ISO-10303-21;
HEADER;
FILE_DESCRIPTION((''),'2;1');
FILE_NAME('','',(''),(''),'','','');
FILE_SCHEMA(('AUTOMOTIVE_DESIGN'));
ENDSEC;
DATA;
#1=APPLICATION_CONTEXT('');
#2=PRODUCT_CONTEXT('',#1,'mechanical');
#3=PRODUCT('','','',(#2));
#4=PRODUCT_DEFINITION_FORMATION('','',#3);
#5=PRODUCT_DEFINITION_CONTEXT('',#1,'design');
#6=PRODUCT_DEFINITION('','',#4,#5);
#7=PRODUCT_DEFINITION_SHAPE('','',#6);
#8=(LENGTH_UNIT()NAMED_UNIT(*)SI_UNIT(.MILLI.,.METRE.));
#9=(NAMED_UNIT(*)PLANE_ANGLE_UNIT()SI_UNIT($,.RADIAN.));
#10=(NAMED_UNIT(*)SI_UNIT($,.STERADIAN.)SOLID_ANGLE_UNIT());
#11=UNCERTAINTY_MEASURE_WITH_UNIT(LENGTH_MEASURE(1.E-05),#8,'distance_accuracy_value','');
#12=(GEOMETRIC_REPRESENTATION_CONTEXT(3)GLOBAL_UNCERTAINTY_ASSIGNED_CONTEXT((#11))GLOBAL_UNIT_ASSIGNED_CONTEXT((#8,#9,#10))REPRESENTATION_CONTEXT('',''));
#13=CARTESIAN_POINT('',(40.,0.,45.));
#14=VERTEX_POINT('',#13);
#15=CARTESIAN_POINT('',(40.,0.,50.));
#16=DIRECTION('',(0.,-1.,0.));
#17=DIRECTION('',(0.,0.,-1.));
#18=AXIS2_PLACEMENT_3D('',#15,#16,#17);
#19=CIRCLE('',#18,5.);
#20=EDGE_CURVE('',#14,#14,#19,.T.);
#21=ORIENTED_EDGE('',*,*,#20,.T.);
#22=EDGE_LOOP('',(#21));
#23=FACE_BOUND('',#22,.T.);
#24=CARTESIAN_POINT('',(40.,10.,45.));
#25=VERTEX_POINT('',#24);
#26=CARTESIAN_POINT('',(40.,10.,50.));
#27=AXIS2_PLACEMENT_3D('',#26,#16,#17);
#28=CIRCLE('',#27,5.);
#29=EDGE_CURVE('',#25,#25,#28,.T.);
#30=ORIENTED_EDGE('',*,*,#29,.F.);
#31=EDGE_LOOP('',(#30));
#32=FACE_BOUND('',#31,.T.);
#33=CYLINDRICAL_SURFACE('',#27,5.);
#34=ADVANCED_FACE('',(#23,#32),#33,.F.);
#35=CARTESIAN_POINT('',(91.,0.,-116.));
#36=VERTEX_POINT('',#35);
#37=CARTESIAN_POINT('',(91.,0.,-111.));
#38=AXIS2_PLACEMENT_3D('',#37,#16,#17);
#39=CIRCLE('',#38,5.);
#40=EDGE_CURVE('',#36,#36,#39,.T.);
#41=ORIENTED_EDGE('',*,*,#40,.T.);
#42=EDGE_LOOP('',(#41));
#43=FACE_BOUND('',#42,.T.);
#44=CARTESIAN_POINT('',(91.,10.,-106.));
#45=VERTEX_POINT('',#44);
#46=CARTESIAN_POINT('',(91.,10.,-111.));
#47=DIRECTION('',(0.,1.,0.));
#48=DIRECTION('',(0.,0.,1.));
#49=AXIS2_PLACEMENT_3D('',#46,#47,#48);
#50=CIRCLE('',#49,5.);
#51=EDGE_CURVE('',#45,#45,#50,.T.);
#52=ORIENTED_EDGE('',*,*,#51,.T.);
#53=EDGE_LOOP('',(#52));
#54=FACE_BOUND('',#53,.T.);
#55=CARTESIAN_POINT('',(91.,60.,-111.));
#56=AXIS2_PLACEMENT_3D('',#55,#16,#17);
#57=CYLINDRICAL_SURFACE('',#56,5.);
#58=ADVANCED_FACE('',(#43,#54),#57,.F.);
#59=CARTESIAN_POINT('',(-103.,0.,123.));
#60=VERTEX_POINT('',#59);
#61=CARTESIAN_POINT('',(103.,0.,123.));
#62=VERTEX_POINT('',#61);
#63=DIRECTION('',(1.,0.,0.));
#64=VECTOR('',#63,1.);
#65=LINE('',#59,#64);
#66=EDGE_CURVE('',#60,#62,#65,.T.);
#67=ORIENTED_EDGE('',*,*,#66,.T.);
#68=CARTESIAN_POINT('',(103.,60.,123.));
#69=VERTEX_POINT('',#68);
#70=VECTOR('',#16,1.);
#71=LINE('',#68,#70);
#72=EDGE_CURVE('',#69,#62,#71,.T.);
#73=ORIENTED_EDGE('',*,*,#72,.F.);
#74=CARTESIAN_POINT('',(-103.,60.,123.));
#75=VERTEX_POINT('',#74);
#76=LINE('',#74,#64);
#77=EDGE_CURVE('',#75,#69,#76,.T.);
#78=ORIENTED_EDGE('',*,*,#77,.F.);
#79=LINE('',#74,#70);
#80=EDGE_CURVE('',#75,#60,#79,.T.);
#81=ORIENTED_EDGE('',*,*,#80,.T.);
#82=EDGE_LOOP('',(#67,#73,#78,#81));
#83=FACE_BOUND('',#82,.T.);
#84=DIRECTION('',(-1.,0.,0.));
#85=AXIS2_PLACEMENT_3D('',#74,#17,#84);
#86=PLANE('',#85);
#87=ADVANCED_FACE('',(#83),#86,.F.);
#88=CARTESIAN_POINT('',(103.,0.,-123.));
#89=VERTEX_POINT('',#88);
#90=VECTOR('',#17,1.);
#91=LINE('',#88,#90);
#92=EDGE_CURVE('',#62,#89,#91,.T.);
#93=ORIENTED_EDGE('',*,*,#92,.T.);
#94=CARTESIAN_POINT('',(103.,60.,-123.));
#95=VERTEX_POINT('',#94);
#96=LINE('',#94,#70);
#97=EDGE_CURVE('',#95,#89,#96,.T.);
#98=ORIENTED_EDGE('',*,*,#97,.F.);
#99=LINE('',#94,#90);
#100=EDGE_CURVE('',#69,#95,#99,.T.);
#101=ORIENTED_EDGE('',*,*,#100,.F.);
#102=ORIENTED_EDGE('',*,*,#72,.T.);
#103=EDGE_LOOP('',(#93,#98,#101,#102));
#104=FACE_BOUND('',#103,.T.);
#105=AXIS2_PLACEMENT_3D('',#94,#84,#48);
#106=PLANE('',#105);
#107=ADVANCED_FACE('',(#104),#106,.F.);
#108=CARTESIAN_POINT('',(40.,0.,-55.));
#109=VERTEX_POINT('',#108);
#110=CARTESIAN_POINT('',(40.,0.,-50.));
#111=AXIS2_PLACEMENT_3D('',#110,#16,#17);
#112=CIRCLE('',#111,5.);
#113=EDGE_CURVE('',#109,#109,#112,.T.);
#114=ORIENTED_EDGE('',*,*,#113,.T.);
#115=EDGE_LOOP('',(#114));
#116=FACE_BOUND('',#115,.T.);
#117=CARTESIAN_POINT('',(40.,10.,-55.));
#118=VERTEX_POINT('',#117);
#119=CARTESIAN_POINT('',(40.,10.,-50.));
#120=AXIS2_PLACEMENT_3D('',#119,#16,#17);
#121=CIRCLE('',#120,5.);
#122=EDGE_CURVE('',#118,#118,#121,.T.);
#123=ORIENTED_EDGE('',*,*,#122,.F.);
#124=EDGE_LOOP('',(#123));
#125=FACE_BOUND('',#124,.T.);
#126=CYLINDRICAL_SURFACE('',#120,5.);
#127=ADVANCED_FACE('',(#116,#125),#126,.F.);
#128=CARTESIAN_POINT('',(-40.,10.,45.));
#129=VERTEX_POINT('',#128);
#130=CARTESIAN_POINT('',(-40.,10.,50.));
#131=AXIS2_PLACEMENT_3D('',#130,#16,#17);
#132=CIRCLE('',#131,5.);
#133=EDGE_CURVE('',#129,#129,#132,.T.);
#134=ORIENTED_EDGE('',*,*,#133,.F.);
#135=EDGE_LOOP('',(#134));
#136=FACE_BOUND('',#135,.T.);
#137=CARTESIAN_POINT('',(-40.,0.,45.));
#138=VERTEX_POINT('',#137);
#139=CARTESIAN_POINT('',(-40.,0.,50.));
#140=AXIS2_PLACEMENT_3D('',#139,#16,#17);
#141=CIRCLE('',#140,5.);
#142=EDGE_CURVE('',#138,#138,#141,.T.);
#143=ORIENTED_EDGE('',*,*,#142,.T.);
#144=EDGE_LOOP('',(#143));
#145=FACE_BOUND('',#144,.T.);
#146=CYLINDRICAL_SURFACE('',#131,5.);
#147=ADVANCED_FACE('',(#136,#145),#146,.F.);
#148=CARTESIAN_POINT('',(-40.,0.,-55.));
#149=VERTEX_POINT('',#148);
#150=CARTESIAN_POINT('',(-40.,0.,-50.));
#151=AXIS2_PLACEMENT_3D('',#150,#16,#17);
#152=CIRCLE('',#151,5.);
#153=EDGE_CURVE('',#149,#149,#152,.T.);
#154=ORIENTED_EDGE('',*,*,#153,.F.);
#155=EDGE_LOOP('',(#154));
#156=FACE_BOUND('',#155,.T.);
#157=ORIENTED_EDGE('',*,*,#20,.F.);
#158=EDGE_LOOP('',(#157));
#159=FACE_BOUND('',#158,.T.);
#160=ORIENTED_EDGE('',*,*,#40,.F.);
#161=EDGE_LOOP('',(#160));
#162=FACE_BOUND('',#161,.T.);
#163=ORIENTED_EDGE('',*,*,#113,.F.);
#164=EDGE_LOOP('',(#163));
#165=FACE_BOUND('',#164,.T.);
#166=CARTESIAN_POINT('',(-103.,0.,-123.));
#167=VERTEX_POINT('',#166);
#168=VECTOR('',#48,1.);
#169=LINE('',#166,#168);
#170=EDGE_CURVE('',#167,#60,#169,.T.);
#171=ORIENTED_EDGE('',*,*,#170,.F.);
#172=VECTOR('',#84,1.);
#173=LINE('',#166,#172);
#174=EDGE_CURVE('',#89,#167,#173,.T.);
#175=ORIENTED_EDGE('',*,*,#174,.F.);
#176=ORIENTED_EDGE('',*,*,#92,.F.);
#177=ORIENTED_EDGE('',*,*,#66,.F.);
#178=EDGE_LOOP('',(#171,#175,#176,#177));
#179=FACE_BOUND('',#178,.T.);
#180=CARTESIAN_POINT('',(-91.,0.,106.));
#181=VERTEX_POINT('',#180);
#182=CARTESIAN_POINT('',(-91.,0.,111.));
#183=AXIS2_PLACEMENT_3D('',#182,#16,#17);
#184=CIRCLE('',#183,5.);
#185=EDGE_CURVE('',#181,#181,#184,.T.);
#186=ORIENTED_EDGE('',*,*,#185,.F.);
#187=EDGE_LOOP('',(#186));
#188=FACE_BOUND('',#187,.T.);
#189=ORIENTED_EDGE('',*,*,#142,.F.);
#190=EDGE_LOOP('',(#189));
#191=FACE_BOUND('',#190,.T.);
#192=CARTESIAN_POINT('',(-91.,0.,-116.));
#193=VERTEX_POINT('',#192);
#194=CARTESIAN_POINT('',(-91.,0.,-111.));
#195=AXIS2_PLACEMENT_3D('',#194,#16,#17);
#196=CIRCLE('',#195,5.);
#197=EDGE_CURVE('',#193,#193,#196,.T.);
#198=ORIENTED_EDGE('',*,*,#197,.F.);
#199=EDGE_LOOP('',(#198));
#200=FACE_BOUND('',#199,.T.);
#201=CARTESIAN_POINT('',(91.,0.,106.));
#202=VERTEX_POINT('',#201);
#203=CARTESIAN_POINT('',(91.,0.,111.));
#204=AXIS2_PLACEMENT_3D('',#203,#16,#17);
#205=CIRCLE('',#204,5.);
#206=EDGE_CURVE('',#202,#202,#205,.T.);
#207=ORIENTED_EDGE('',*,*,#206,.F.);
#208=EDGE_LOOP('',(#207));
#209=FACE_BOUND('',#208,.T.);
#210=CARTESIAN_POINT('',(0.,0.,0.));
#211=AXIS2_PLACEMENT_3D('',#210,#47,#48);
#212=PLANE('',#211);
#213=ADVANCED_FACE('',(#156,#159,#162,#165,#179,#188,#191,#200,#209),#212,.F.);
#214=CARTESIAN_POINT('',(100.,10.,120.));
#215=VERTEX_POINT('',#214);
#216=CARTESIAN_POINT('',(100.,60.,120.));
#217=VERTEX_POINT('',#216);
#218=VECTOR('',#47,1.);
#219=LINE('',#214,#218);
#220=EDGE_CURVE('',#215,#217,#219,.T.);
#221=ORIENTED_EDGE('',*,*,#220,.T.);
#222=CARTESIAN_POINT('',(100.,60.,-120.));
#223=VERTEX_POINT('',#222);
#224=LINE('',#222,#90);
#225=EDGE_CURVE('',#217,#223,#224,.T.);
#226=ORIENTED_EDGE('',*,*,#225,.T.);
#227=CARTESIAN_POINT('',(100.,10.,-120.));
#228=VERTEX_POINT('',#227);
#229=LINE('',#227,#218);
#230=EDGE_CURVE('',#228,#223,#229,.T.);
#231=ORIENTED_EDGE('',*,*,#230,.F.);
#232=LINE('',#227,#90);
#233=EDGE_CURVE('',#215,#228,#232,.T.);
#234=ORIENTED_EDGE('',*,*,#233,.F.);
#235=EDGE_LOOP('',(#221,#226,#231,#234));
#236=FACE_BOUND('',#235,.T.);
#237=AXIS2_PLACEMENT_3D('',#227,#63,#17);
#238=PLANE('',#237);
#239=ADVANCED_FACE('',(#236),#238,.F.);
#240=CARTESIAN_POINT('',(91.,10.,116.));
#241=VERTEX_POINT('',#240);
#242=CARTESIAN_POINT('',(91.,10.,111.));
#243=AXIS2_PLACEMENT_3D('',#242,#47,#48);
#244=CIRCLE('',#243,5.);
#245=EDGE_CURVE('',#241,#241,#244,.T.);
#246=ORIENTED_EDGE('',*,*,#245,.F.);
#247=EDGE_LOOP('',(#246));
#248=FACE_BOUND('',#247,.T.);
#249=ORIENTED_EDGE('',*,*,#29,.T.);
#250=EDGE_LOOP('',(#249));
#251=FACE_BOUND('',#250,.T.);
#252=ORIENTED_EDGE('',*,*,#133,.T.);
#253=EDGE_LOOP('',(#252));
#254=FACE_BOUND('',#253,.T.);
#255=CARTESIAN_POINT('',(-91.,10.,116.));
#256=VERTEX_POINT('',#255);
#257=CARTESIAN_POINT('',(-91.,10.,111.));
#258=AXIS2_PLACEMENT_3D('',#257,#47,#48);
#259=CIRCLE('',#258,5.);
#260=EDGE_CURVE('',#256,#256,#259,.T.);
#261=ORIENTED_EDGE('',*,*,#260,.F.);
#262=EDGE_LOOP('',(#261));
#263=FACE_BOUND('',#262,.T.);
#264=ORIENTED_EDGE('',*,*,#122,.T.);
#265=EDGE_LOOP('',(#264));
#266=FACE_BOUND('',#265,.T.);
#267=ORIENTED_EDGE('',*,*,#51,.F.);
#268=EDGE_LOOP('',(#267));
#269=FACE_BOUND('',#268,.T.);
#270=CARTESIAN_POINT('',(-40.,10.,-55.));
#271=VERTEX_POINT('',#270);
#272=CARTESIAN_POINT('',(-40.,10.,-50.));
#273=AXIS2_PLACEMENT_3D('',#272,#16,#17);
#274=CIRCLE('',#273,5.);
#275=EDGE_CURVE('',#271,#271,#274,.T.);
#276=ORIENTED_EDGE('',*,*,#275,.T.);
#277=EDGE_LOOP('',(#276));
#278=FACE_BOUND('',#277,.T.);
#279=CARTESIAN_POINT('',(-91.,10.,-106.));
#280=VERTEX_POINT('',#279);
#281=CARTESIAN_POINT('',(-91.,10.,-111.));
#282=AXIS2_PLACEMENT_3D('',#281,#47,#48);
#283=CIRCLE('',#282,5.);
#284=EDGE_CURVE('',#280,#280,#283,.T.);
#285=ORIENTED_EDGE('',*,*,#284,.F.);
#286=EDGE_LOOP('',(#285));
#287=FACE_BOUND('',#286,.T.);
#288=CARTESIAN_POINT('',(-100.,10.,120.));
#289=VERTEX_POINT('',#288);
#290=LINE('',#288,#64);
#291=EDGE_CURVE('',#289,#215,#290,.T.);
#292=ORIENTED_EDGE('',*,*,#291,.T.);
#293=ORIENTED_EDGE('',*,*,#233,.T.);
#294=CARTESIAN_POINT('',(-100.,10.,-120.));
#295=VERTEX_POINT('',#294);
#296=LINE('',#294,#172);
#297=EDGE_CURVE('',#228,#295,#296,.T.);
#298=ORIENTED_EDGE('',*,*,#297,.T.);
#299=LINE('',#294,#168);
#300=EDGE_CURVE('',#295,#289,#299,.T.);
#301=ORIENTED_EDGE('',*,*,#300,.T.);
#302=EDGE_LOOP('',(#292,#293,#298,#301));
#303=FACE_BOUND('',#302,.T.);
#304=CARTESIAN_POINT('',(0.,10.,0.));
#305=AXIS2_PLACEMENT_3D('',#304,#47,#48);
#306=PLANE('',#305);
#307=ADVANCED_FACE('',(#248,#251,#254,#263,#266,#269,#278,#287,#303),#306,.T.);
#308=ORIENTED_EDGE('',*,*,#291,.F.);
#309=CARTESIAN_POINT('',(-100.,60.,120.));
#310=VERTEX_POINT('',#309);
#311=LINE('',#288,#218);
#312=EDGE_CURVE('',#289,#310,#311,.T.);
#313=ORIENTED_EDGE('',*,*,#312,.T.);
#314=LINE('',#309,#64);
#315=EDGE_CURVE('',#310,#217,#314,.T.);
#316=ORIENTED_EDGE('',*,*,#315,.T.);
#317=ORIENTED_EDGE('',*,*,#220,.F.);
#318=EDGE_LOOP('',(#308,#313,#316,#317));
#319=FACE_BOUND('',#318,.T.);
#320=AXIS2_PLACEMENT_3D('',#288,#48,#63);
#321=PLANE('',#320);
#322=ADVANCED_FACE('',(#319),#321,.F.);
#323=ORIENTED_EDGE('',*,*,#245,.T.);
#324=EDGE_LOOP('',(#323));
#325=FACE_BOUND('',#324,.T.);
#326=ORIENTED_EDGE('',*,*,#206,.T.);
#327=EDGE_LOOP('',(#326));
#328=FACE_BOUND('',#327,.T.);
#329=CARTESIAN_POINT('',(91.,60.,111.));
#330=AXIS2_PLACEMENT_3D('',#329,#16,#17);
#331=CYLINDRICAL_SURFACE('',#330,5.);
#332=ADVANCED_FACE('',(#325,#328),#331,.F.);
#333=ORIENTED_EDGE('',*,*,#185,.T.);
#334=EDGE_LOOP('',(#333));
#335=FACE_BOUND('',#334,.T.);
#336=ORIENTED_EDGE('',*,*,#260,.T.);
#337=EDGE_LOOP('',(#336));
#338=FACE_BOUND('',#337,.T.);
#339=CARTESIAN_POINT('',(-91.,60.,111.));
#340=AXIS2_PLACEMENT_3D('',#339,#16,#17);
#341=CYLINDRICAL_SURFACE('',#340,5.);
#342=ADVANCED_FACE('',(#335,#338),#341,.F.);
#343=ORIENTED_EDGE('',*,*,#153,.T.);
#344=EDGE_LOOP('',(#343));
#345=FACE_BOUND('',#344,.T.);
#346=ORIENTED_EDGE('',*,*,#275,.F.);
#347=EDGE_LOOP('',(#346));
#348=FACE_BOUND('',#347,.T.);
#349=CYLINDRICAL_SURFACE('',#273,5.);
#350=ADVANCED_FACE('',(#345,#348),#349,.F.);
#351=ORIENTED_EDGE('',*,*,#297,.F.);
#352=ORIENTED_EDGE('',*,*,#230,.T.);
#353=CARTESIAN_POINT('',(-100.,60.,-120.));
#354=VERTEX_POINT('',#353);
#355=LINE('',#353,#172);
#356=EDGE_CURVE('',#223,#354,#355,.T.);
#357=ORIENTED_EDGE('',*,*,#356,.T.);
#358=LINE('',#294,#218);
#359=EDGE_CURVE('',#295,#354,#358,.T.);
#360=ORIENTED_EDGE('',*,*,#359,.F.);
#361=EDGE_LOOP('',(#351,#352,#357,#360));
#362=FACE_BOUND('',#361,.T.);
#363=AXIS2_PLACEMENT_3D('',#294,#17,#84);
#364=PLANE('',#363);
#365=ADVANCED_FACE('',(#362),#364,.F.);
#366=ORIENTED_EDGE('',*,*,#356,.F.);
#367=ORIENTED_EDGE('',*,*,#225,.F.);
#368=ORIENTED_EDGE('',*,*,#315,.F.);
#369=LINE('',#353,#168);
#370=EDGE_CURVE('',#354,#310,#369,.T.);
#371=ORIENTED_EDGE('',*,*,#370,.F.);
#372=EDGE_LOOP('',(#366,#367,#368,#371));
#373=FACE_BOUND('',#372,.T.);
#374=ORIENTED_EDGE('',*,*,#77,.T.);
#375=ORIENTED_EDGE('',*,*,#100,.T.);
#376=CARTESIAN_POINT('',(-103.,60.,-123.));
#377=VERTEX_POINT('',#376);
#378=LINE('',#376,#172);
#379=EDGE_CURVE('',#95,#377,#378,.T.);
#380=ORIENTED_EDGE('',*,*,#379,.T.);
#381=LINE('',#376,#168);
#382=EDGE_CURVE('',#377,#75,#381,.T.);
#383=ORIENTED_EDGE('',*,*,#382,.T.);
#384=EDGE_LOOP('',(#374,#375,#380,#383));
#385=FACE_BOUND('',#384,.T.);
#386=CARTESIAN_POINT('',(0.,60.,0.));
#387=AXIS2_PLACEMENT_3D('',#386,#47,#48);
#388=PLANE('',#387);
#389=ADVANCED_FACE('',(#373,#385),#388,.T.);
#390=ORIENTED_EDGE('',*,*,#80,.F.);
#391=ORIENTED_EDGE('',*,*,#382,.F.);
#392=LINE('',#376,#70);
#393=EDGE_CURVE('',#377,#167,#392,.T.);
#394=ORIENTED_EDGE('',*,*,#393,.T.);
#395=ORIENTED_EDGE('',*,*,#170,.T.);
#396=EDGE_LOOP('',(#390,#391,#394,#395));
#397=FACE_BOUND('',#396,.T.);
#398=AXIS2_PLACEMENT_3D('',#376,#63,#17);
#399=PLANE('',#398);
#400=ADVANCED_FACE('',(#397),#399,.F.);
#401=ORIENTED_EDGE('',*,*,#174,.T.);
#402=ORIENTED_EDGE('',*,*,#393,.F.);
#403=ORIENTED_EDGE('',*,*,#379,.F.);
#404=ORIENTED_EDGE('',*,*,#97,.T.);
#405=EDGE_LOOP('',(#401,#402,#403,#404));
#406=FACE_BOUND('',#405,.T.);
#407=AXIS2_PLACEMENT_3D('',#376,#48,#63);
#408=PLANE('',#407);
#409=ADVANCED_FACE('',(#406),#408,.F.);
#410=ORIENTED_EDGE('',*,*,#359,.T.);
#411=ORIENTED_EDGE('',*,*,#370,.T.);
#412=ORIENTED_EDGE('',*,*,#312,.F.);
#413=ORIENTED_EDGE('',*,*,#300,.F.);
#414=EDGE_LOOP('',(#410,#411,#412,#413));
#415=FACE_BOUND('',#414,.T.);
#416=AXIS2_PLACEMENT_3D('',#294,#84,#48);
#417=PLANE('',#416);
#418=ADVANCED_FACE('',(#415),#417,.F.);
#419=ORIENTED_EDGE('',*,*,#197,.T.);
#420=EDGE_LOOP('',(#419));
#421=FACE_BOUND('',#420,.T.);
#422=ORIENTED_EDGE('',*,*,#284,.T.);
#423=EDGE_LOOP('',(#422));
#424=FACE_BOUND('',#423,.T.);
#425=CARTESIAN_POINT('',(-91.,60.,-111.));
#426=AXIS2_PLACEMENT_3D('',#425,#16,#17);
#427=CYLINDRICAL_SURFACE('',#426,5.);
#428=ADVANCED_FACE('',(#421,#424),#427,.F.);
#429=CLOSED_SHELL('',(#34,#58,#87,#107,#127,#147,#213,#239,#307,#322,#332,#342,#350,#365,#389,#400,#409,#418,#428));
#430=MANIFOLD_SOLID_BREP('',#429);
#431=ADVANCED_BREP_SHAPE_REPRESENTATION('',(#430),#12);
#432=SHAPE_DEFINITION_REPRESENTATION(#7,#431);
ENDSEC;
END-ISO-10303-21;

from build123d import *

# Parameters (mm, degrees)
SKETCH1_W           = 206
SKETCH1_H           = 246
BOSS_EXTRUDE1_DEPTH = 60
SKETCH2_W           = 200
SKETCH2_H           = 240
CUT_EXTRUDE1_DEPTH  = 50
CUT_EXTRUDE3_DEPTH  = 172.283390905
SKETCH4_R           = 5
CUT_EXTRUDE4_DEPTH  = 10


with BuildPart() as part:
    # Sketch1 → Boss-Extrude1 (new body)
    with BuildSketch(Plane(origin=(0, 0, 0), x_dir=(1, 0, 0), z_dir=(0, 1, 0))):
        Rectangle(SKETCH1_W, SKETCH1_H)
    extrude(amount=BOSS_EXTRUDE1_DEPTH)

    # Sketch2 → Cut-Extrude1 (cut)
    with BuildSketch(Plane(origin=(0, 60, 0), x_dir=(1, 0, 0), z_dir=(0, 1, 0))):
        Rectangle(SKETCH2_W, SKETCH2_H)
    extrude(amount=-CUT_EXTRUDE1_DEPTH, mode=Mode.SUBTRACT)

    # Sketch3 → Cut-Extrude3 (cut, through all)
    with BuildSketch(Plane.XZ):
        with BuildLine():
            Line((-91, 106), (-91, 111))
            Line((-91, 111), (-86, 111))
            ThreePointArc((-86, 111), (-94.535533906, 114.535533906), (-91, 106))
        make_face()
        with BuildLine():
            Line((-86, 111), (-91, 111))
            Line((-91, 111), (-91, 106))
            ThreePointArc((-91, 106), (-87.464466094, 107.464466094), (-86, 111))
        make_face()
        with BuildLine():
            ThreePointArc((96, 111), (91, 116), (86, 111))
            Line((86, 111), (91, 111))
            Line((91, 111), (91, 106))
            ThreePointArc((91, 106), (94.535533906, 107.464466094), (96, 111))
        make_face()
        with BuildLine():
            Line((91, 111), (86, 111))
            ThreePointArc((86, 111), (87.464466094, 107.464466094), (91, 106))
            Line((91, 106), (91, 111))
        make_face()
        with BuildLine():
            ThreePointArc((96, -111), (94.535533906, -107.464466094), (91, -106))
            Line((91, -106), (91, -111))
            Line((91, -111), (86, -111))
            ThreePointArc((86, -111), (91, -116), (96, -111))
        make_face()
        with BuildLine():
            Line((91, -111), (91, -106))
            ThreePointArc((91, -106), (87.464466094, -107.464466094), (86, -111))
            Line((86, -111), (91, -111))
        make_face()
        with BuildLine():
            ThreePointArc((-86, -111), (-87.464466094, -107.464466094), (-91, -106))
            Line((-91, -106), (-91, -111))
            Line((-91, -111), (-86, -111))
        make_face()
        with BuildLine():
            Line((-91, -111), (-91, -106))
            ThreePointArc((-91, -106), (-94.535533906, -114.535533906), (-86, -111))
            Line((-86, -111), (-91, -111))
        make_face()
    extrude(amount=-CUT_EXTRUDE3_DEPTH, mode=Mode.SUBTRACT)

    # Sketch4 → Cut-Extrude4 (cut)
    with BuildSketch(Plane.XZ):
        with Locations(Location((40, -50, 0), (0, 0, 270))):
            Circle(SKETCH4_R)
        with Locations(Location((-40, -50, 0), (0, 0, 270))):
            Circle(SKETCH4_R)
        with Locations(Location((-40, 50, 0), (0, 0, 270))):
            Circle(SKETCH4_R)
        with Locations(Location((40, 50, 0), (0, 0, 270))):
            Circle(SKETCH4_R)
    extrude(amount=-CUT_EXTRUDE4_DEPTH, mode=Mode.SUBTRACT)


solid = part.part
